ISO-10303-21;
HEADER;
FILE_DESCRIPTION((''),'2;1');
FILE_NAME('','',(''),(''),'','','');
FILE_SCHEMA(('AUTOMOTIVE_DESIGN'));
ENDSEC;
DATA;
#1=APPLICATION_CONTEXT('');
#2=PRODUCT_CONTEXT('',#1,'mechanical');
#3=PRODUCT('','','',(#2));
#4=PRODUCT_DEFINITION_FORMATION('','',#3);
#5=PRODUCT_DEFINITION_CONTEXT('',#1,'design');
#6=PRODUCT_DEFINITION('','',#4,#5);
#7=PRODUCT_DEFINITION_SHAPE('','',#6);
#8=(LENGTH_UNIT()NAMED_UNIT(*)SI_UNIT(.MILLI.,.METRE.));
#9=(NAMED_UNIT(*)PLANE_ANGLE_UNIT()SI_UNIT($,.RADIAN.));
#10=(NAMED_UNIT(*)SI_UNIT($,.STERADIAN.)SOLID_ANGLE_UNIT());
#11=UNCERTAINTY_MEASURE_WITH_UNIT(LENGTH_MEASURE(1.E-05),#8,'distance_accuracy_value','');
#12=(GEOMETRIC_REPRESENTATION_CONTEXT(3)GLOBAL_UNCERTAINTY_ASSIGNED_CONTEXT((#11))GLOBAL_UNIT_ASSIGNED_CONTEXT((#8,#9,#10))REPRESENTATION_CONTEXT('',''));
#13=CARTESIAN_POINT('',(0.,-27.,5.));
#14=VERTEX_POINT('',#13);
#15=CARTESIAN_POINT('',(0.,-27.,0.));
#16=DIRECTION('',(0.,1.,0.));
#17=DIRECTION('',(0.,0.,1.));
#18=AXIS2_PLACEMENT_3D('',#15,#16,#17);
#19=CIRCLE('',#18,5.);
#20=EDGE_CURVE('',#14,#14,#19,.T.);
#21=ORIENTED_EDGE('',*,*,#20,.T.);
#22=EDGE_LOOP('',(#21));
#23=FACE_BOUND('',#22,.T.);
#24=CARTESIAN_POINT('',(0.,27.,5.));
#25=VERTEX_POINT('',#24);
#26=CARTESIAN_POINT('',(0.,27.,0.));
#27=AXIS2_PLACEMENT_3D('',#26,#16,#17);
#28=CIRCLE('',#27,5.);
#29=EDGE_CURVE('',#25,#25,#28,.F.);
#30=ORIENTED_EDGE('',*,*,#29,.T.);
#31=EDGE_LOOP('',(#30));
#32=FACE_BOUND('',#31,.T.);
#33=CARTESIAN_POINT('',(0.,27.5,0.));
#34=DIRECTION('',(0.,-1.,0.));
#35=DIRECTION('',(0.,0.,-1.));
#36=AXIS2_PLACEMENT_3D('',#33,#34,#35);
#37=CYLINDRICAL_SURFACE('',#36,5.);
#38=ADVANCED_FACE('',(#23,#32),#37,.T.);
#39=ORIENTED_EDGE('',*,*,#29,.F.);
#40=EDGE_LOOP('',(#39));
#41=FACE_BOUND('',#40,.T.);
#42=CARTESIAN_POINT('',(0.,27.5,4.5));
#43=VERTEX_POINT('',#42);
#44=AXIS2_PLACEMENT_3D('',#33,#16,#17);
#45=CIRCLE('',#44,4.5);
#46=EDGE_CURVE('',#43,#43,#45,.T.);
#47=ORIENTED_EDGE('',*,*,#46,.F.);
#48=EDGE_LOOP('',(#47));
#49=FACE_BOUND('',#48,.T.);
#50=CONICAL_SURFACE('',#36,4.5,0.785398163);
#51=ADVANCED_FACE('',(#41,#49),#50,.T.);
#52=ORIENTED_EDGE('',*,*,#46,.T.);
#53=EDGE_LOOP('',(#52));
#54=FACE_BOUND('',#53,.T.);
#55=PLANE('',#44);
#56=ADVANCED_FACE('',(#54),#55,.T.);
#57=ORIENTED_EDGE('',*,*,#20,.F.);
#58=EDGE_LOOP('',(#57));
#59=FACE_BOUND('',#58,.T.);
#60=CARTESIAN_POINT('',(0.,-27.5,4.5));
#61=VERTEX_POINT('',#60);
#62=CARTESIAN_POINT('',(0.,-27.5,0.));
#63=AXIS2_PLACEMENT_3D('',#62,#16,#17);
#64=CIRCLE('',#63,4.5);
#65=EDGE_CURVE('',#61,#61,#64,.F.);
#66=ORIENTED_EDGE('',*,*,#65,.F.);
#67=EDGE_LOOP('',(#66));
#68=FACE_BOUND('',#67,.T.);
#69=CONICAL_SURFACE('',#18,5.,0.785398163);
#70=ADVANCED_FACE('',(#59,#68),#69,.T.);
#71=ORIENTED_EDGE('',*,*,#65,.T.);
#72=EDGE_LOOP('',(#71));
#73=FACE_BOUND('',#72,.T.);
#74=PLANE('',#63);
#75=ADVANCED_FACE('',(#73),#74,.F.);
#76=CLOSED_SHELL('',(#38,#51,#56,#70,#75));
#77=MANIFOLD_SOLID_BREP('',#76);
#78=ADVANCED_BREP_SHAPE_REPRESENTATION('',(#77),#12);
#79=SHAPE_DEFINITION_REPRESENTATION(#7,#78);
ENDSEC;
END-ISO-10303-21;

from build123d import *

# Parameters (mm, degrees)
SKETCH_1_R      = 5
EXTRUDE_1_DEPTH = 27.5
CHAMFER_1_SIZE  = 0.5


with BuildPart() as part:
    # 草图1 → 凸台-拉伸1 (new, symmetric)
    with BuildSketch(Plane(origin=(0, 0, 0), x_dir=(1, 0, 0), z_dir=(0, 1, 0))):
        with Locations(Location((0, 0, 0), (0, 0, 270))):
            Circle(SKETCH_1_R)
    extrude(amount=EXTRUDE_1_DEPTH, both=True)

    # 倒角1
    chamfer_1_edges = [part.edges().sort_by_distance(p)[0] for p in [
        (0, -27.5, -5),
        (0, 27.5, -5),
    ]]
    chamfer(chamfer_1_edges, length=CHAMFER_1_SIZE)


solid = part.part
